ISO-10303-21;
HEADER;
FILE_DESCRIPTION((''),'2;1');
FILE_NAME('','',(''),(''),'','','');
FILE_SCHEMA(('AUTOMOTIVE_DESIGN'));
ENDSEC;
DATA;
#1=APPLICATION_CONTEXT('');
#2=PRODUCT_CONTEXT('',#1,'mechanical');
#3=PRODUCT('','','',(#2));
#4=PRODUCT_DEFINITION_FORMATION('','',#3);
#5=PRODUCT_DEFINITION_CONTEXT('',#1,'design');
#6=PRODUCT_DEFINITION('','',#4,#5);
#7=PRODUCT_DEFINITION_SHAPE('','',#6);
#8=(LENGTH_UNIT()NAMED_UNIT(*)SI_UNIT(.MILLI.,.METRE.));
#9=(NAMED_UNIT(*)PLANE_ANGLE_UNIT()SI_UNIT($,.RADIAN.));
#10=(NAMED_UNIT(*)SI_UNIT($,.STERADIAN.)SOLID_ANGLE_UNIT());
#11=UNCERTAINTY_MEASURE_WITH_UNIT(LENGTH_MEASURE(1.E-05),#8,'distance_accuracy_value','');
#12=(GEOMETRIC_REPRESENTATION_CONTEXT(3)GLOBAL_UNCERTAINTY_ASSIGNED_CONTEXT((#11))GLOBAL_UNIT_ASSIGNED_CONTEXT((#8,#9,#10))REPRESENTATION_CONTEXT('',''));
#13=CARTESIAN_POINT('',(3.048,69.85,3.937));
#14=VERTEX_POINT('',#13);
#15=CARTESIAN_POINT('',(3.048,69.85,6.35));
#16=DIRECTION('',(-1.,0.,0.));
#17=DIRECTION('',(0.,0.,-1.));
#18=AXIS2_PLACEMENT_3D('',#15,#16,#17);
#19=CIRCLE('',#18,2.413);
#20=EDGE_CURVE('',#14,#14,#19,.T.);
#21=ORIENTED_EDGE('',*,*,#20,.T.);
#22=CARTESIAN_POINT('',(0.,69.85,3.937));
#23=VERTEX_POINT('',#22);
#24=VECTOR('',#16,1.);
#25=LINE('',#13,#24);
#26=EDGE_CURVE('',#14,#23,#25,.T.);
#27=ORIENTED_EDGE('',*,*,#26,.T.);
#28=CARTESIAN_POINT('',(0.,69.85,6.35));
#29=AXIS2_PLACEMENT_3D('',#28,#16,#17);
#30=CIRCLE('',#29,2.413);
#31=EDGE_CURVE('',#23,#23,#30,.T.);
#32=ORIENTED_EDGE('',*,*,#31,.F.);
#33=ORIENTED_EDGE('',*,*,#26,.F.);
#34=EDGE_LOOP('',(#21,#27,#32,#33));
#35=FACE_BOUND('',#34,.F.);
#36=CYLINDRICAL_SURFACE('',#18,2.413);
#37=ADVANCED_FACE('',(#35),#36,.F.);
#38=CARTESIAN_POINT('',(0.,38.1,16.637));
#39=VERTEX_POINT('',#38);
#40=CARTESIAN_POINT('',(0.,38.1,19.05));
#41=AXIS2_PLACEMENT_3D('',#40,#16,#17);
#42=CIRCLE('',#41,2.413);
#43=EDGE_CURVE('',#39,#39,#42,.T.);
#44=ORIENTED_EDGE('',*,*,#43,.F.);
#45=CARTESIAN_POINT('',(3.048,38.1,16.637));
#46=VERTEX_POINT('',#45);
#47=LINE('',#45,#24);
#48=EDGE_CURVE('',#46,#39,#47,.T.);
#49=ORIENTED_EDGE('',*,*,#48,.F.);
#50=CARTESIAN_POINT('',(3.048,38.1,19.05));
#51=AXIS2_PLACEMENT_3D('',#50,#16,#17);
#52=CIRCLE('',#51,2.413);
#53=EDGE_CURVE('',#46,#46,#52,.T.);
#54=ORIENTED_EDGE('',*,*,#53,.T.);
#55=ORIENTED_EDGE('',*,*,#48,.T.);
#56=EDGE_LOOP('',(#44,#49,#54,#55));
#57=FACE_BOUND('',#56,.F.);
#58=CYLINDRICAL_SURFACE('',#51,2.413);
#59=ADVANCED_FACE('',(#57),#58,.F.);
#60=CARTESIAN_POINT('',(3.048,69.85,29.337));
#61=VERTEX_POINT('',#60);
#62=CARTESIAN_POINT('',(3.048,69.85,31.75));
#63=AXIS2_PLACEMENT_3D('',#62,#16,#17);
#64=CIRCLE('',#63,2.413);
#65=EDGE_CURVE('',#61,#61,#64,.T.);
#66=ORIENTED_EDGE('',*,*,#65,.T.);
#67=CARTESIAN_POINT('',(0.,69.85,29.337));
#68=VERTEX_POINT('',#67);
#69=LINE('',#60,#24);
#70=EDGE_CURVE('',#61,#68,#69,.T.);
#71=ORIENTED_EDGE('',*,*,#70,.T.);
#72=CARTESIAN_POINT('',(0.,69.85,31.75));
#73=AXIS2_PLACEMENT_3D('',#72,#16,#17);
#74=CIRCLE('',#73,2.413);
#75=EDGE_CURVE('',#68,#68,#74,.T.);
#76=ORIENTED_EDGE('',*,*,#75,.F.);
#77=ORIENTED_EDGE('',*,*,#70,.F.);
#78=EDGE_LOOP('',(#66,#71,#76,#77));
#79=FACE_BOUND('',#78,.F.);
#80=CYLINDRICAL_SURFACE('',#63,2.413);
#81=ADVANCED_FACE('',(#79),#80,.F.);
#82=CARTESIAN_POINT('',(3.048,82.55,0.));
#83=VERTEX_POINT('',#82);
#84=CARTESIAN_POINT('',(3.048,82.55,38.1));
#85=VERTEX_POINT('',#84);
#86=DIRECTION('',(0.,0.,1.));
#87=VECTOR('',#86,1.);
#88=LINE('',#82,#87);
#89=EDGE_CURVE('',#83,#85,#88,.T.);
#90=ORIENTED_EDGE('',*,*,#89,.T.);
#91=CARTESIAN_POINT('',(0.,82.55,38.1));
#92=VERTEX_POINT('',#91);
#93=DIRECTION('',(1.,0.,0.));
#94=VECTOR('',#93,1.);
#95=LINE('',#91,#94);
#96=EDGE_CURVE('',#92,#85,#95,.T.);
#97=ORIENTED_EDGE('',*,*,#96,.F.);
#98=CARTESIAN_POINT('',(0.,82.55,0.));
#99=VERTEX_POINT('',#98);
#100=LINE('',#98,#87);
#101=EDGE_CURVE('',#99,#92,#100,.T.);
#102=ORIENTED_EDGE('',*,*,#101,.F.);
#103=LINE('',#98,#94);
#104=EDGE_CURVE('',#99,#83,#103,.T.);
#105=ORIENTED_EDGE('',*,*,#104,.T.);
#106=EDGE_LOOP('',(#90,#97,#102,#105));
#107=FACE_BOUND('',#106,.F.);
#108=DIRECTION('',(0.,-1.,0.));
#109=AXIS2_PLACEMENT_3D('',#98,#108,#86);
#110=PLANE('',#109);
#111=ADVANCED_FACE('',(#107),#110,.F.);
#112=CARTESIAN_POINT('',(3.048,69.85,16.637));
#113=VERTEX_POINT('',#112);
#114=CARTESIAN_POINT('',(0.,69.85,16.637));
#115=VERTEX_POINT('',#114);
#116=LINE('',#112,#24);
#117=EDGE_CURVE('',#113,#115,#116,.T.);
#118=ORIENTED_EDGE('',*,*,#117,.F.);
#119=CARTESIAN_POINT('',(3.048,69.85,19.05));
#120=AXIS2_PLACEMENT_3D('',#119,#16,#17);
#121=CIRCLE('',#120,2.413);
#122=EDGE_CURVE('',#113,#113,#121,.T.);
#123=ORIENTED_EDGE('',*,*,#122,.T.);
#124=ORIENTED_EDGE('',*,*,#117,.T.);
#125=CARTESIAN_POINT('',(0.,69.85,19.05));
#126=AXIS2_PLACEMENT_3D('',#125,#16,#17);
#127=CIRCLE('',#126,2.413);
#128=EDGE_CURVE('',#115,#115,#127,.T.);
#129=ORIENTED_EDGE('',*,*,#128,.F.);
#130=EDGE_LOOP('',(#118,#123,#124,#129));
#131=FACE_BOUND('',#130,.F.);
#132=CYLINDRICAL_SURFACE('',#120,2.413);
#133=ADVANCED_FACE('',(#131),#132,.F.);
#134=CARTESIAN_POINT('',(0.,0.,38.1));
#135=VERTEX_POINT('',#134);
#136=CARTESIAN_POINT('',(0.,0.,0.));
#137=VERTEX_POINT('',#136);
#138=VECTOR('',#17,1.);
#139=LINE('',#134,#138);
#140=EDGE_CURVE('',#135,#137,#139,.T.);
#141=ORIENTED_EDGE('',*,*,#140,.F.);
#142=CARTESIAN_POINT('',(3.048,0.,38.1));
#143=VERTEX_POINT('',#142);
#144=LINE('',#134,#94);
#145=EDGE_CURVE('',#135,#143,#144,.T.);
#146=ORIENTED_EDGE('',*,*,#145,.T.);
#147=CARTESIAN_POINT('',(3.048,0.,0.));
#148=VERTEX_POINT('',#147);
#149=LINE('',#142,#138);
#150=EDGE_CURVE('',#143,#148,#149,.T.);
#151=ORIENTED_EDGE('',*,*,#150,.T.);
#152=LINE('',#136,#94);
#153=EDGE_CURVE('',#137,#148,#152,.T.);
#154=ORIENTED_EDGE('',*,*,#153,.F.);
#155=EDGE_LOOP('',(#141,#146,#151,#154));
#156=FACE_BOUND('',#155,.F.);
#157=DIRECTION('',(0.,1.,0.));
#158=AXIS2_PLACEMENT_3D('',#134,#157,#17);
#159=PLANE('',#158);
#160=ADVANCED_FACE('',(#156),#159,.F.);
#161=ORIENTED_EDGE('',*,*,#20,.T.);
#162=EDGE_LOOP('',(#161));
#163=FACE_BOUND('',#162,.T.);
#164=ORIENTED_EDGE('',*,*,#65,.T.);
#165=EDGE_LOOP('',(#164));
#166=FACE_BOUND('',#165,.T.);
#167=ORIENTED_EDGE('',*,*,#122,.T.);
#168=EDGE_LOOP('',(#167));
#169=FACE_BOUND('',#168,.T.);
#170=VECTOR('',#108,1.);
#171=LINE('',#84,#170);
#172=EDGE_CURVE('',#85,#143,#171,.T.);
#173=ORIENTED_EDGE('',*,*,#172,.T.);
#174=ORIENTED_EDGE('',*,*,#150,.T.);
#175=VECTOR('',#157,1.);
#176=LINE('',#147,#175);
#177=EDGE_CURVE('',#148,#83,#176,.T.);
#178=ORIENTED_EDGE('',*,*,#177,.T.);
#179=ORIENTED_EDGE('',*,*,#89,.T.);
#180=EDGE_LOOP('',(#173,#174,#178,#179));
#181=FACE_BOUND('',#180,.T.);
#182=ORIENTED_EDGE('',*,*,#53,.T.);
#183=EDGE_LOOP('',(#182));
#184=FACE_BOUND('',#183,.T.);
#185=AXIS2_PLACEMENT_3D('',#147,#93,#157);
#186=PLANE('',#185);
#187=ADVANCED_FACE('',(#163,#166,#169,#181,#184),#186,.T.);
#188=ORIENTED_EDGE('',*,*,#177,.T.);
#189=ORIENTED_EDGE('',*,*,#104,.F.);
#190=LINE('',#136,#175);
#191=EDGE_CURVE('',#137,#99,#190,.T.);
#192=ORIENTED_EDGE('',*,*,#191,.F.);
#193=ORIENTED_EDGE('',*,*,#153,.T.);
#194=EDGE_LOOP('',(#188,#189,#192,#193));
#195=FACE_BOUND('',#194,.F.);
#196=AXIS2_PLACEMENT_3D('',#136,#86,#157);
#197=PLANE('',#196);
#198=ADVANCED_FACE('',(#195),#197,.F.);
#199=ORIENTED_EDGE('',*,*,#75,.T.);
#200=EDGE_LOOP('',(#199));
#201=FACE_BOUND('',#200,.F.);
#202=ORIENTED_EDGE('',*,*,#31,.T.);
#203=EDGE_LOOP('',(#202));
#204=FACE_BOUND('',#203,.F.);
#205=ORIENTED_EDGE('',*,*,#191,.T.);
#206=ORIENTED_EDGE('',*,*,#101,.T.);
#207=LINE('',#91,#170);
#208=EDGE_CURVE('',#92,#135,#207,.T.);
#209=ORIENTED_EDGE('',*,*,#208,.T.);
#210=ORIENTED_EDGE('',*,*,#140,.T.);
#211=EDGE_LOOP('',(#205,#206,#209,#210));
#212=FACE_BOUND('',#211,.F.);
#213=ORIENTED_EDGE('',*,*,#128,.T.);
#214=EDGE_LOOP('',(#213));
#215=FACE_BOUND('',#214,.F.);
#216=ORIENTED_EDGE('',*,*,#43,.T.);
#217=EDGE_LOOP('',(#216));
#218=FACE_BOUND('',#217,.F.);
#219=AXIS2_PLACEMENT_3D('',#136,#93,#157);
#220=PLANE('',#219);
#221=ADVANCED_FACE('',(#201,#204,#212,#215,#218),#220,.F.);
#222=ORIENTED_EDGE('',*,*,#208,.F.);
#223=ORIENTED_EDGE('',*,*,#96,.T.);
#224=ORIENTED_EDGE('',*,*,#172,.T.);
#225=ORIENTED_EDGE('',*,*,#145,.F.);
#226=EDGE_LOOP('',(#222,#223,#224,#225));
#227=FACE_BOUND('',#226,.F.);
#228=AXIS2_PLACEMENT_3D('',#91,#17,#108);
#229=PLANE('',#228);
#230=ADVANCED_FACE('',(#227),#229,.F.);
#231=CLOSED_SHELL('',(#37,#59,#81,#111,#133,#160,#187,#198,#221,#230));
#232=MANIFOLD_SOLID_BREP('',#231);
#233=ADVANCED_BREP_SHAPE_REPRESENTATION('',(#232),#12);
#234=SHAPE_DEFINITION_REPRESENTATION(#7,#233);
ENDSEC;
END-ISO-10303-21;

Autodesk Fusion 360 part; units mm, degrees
sketch "Sketch1" plane through (0, 0, 0) normal (1, 0, 0) x (0, 1, 0)
  line L0 (0, 0) -> (82.55, 0)
  line L1 (82.55, 0) -> (82.55, 38.1)
  line L2 (82.55, 38.1) -> (0, 38.1)
  line L3 (0, 38.1) -> (0, 0)
  dimension "d1" = 82.55
  dimension "d2" = 38.1
extrude "Extrude1" add sketch "Sketch1" along normal blind 3.048
sketch "Sketch2" plane through (3.048, 0, 0) normal (1, 0, 0) x (0, 1, 0)
  line L0 (0, 38.1) -> (0, 0)
  line L1 (0, 0) -> (82.55, 0)
  line L2 (82.55, 0) -> (82.55, 38.1)
  line L3 (82.55, 38.1) -> (0, 38.1)
  line L4 (0, 0) -> (38.1, 0)
  line L5 (38.1, 0) -> (38.1, 19.05)
  line L6 (38.1, 19.05) -> (0, 19.05)
  line L7 (0, 19.05) -> (0, 0)
  dimension "d5" = 38.1
  dimension "d6" = 19.05
hole "Hole1" at (3.048, 38.1, 19.05) direction (-1, 0, 0) diameter 4.826 depth 9.652 tip angle 118
sketch "Sketch3" plane through (3.048, 0, 0) normal (1, 0, 0) x (0, 1, 0)
  circle A0 centre (38.1, 19.05) radius 2.413
  line L0 (0, 38.1) -> (0, 0)
  line L1 (0, 0) -> (82.55, 0)
  line L2 (82.55, 0) -> (82.55, 38.1)
  line L3 (82.55, 38.1) -> (0, 38.1)
  line L4 (82.55, 0) -> (69.85, 0)
  line L5 (69.85, 0) -> (69.85, 6.35)
  line L6 (69.85, 6.35) -> (82.55, 6.35)
  line L7 (82.55, 6.35) -> (82.55, 0)
  dimension "d10" = 12.7
  dimension "d11" = 6.35
hole "Hole2" at (3.048, 69.85, 6.35) direction (-1, 0, 0) diameter 4.826 depth 3.048 tip angle 118
sketch "Sketch4" plane through (3.048, 0, 0) normal (1, 0, 0) x (0, 1, 0)
  circle A0 centre (69.85, 6.35) radius 2.413
  circle A1 centre (38.1, 19.05) radius 2.413
  line L0 (0, 38.1) -> (0, 0)
  line L1 (0, 0) -> (82.55, 0)
  line L2 (82.55, 0) -> (82.55, 38.1)
  line L3 (82.55, 38.1) -> (0, 38.1)
  line L4 (82.55, 0) -> (69.85, 0)
  line L5 (69.85, 0) -> (69.85, 19.05)
  line L6 (69.85, 19.05) -> (82.55, 19.05)
  line L7 (82.55, 19.05) -> (82.55, 0)
  dimension "d15" = 12.7
  dimension "d16" = 19.05
hole "Hole3" at (3.048, 69.85, 19.05) direction (-1, 0, 0) diameter 4.826 depth 3.048 tip angle 118
sketch "Sketch5" plane through (3.048, 0, 0) normal (1, 0, 0) x (0, 1, 0)
  circle A0 centre (69.85, 19.05) radius 2.413
  circle A1 centre (69.85, 6.35) radius 2.413
  circle A2 centre (38.1, 19.05) radius 2.413
  line L0 (0, 38.1) -> (0, 0)
  line L1 (0, 0) -> (82.55, 0)
  line L2 (82.55, 0) -> (82.55, 38.1)
  line L3 (82.55, 38.1) -> (0, 38.1)
  line L4 (82.55, 0) -> (69.85, 0)
  line L5 (69.85, 0) -> (69.85, 31.75)
  line L6 (69.85, 31.75) -> (82.55, 31.75)
  line L7 (82.55, 31.75) -> (82.55, 0)
  dimension "d20" = 12.7
  dimension "d21" = 31.75
hole "Hole4" at (3.048, 69.85, 31.75) direction (-1, 0, 0) diameter 4.826 depth 3.048 tip angle 118
